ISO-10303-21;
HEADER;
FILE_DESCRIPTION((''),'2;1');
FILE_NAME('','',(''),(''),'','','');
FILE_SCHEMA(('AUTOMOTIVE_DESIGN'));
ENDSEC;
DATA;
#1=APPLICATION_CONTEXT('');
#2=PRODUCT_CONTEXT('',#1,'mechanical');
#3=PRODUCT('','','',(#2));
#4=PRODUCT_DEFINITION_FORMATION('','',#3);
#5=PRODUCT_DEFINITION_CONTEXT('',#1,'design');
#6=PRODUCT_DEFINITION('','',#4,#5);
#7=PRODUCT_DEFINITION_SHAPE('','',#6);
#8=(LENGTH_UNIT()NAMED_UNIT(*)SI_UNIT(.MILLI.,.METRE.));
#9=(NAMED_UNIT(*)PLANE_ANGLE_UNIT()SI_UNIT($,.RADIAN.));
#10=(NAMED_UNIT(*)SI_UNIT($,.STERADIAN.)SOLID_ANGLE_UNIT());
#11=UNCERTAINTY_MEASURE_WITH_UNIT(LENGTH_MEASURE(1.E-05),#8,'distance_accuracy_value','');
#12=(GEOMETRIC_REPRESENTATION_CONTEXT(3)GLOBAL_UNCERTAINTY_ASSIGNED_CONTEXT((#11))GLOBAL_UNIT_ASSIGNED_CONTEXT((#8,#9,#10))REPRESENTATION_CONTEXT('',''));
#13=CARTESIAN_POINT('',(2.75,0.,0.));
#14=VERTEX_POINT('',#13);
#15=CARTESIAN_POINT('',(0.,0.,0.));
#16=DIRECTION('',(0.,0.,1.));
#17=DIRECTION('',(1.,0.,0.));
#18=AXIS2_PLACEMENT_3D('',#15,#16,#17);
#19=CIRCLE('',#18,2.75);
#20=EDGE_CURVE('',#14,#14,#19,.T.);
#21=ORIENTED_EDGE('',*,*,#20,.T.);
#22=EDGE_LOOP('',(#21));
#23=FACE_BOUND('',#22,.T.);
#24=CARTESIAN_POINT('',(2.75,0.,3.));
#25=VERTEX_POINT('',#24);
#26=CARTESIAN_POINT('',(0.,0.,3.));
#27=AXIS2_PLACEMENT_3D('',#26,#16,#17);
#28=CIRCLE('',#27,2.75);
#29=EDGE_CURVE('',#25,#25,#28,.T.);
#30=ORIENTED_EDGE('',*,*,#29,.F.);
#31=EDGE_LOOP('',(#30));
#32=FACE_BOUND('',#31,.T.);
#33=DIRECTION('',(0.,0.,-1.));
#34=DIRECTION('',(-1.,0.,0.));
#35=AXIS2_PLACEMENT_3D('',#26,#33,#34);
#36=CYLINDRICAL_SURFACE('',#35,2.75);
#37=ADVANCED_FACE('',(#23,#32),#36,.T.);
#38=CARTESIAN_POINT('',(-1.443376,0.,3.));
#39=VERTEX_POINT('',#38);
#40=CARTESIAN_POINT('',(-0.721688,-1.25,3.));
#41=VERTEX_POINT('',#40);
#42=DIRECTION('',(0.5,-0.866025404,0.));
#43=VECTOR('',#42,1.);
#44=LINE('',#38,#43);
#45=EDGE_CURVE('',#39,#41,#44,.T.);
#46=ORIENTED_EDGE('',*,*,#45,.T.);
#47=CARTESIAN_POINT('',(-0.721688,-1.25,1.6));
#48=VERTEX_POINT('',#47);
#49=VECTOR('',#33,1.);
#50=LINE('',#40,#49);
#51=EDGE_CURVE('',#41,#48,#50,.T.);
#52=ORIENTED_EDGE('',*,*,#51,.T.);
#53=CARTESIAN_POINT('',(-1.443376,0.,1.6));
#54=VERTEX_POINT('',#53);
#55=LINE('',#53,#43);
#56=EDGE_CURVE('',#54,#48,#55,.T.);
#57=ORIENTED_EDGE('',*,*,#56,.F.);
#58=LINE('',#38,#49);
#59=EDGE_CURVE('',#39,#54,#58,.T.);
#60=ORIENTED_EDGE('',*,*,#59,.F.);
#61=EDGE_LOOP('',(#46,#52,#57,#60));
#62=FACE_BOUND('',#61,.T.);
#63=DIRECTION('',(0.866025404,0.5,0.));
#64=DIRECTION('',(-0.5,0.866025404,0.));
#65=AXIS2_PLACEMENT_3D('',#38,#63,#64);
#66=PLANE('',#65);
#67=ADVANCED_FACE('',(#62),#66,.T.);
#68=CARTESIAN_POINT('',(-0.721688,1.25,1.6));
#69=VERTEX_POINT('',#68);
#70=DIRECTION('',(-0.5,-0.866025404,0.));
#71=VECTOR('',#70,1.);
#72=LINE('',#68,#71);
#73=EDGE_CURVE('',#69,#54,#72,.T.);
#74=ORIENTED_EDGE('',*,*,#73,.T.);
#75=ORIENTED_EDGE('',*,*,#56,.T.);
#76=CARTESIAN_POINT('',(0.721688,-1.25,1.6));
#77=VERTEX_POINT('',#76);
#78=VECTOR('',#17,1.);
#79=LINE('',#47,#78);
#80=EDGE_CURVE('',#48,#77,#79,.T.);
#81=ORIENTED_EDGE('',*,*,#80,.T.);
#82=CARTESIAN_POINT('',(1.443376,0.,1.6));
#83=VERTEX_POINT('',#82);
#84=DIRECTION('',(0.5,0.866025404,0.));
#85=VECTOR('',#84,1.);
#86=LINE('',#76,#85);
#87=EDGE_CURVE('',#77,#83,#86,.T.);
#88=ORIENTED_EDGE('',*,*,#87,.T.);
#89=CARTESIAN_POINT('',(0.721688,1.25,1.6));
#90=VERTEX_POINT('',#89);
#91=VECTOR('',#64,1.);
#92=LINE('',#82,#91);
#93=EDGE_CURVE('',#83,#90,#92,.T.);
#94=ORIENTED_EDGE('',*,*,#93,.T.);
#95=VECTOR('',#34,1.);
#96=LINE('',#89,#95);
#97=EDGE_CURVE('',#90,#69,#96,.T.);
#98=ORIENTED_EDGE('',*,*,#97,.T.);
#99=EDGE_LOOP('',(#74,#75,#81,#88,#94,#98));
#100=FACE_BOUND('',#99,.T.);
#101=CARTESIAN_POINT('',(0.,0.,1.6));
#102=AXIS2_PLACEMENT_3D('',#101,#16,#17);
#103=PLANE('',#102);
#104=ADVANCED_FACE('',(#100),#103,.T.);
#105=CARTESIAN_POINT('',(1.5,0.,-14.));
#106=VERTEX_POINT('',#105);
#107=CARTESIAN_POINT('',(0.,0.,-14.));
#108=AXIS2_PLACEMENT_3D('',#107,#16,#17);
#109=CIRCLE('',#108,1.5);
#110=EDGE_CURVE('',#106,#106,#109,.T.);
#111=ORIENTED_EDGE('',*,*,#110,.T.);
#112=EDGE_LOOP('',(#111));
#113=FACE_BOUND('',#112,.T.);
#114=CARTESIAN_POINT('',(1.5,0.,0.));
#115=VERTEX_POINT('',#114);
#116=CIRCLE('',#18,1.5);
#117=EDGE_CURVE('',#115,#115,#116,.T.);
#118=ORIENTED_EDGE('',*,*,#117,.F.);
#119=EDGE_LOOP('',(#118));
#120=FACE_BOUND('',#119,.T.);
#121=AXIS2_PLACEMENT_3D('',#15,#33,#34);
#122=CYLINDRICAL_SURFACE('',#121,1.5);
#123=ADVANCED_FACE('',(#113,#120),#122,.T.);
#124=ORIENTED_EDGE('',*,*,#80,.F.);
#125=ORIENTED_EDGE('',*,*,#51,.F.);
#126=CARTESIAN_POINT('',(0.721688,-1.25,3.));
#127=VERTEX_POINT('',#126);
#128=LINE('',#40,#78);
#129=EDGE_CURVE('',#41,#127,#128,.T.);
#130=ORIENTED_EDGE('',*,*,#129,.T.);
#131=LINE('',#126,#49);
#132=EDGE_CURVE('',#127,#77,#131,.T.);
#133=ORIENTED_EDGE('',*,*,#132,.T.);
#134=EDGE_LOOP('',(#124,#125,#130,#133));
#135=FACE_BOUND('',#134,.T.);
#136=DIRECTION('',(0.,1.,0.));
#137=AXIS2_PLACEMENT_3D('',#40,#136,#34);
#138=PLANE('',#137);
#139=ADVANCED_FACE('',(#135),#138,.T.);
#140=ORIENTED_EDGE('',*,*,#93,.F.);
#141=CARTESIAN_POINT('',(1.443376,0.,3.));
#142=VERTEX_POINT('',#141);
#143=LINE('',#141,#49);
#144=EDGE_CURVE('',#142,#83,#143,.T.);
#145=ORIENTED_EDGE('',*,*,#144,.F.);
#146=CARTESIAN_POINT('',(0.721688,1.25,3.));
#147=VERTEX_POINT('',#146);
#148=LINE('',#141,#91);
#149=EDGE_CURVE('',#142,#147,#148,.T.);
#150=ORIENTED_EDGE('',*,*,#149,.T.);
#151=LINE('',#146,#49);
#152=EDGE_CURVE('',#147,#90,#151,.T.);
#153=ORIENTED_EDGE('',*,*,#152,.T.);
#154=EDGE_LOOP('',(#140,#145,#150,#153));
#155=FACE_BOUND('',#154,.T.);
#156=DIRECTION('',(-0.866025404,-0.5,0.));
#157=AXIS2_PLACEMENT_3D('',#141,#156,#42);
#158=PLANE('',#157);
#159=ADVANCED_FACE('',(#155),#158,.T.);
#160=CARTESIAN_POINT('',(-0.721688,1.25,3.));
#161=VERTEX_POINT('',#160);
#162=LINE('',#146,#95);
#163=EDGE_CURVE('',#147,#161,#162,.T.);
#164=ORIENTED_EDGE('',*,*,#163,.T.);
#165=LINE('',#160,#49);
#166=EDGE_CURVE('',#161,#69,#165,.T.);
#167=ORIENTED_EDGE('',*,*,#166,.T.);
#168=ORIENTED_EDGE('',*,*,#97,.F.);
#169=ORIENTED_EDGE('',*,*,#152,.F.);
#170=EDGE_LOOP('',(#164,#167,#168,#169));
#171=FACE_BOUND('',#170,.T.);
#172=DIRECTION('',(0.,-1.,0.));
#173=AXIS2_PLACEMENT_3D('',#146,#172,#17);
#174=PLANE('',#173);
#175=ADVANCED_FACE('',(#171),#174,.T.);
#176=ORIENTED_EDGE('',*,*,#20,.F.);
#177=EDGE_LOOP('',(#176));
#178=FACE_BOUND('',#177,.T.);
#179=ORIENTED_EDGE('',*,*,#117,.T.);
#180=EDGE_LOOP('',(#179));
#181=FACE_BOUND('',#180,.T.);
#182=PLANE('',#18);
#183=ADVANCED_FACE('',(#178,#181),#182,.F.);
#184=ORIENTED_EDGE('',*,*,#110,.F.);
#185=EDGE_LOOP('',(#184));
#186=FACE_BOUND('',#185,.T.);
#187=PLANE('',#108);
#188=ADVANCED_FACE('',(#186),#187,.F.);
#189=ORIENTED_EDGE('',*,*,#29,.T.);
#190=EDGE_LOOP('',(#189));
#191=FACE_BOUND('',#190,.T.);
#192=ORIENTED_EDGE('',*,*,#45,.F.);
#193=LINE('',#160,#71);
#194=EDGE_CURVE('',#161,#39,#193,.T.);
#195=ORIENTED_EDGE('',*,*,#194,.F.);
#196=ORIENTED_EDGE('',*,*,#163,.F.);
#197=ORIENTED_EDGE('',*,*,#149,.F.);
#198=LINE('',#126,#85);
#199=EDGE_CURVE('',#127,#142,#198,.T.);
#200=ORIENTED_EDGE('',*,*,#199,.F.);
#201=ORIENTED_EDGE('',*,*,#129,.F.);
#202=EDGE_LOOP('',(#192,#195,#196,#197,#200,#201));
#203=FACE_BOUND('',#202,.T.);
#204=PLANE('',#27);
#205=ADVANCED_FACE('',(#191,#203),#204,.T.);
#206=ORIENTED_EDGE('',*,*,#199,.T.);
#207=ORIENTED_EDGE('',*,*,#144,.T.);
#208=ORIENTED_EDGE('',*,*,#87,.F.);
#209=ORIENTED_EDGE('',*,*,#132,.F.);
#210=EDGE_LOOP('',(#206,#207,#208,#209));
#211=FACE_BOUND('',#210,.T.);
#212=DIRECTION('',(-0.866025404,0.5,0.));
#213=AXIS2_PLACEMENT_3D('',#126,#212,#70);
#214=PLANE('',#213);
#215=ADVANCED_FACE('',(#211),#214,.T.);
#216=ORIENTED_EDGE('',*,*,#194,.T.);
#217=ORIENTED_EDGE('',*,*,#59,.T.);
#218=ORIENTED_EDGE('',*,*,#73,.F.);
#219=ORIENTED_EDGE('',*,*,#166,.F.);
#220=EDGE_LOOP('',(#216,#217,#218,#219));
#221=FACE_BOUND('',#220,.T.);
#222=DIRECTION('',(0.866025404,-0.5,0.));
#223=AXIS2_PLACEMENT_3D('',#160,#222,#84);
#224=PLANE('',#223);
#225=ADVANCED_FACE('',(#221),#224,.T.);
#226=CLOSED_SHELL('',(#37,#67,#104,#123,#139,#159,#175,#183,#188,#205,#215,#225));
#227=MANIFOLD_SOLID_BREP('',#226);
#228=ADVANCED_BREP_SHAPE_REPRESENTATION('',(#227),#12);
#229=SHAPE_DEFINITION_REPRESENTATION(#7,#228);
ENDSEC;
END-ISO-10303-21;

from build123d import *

# Parameters (mm, degrees)
ISO4762_HEAD_D5P5_H3_SKETCH_R       = 2.75
ISO4762_HEAD_D5P5_H3_DEPTH          = 3
M3_MAJOR_DIAMETER_ENVELOPE_START    = -14
M3_MAJOR_DIAMETER_ENVELOPE_SKETCH_R = 1.5
M3_MAJOR_DIAMETER_ENVELOPE_DEPTH    = 14
HEX_SOCKET_2P5AF_START              = 1.6
HEX_SOCKET_2P5AF_DEPTH              = 1.4


with BuildPart() as part:
    # ISO4762_head_D5p5_h3_Sketch → ISO4762_head_D5p5_h3 (new body)
    with BuildSketch(Plane.XY):
        Circle(ISO4762_HEAD_D5P5_H3_SKETCH_R)
    extrude(amount=ISO4762_HEAD_D5P5_H3_DEPTH)

    # M3_major_diameter_envelope_Sketch → M3_major_diameter_envelope (add)
    with BuildSketch(Plane.XY.offset(M3_MAJOR_DIAMETER_ENVELOPE_START)):
        Circle(M3_MAJOR_DIAMETER_ENVELOPE_SKETCH_R)
    extrude(amount=M3_MAJOR_DIAMETER_ENVELOPE_DEPTH)

    # Hex_socket_2p5AF_Sketch → Hex_socket_2p5AF (cut)
    with BuildSketch(Plane.XY.offset(HEX_SOCKET_2P5AF_START)):
        Polygon((1.443375673, 0), (0.721687836, 1.25), (-0.721687836, 1.25), (-1.443375673, 0), (-0.721687836, -1.25), (0.721687836, -1.25), align=None)
    extrude(amount=HEX_SOCKET_2P5AF_DEPTH, mode=Mode.SUBTRACT)


solid = part.part
